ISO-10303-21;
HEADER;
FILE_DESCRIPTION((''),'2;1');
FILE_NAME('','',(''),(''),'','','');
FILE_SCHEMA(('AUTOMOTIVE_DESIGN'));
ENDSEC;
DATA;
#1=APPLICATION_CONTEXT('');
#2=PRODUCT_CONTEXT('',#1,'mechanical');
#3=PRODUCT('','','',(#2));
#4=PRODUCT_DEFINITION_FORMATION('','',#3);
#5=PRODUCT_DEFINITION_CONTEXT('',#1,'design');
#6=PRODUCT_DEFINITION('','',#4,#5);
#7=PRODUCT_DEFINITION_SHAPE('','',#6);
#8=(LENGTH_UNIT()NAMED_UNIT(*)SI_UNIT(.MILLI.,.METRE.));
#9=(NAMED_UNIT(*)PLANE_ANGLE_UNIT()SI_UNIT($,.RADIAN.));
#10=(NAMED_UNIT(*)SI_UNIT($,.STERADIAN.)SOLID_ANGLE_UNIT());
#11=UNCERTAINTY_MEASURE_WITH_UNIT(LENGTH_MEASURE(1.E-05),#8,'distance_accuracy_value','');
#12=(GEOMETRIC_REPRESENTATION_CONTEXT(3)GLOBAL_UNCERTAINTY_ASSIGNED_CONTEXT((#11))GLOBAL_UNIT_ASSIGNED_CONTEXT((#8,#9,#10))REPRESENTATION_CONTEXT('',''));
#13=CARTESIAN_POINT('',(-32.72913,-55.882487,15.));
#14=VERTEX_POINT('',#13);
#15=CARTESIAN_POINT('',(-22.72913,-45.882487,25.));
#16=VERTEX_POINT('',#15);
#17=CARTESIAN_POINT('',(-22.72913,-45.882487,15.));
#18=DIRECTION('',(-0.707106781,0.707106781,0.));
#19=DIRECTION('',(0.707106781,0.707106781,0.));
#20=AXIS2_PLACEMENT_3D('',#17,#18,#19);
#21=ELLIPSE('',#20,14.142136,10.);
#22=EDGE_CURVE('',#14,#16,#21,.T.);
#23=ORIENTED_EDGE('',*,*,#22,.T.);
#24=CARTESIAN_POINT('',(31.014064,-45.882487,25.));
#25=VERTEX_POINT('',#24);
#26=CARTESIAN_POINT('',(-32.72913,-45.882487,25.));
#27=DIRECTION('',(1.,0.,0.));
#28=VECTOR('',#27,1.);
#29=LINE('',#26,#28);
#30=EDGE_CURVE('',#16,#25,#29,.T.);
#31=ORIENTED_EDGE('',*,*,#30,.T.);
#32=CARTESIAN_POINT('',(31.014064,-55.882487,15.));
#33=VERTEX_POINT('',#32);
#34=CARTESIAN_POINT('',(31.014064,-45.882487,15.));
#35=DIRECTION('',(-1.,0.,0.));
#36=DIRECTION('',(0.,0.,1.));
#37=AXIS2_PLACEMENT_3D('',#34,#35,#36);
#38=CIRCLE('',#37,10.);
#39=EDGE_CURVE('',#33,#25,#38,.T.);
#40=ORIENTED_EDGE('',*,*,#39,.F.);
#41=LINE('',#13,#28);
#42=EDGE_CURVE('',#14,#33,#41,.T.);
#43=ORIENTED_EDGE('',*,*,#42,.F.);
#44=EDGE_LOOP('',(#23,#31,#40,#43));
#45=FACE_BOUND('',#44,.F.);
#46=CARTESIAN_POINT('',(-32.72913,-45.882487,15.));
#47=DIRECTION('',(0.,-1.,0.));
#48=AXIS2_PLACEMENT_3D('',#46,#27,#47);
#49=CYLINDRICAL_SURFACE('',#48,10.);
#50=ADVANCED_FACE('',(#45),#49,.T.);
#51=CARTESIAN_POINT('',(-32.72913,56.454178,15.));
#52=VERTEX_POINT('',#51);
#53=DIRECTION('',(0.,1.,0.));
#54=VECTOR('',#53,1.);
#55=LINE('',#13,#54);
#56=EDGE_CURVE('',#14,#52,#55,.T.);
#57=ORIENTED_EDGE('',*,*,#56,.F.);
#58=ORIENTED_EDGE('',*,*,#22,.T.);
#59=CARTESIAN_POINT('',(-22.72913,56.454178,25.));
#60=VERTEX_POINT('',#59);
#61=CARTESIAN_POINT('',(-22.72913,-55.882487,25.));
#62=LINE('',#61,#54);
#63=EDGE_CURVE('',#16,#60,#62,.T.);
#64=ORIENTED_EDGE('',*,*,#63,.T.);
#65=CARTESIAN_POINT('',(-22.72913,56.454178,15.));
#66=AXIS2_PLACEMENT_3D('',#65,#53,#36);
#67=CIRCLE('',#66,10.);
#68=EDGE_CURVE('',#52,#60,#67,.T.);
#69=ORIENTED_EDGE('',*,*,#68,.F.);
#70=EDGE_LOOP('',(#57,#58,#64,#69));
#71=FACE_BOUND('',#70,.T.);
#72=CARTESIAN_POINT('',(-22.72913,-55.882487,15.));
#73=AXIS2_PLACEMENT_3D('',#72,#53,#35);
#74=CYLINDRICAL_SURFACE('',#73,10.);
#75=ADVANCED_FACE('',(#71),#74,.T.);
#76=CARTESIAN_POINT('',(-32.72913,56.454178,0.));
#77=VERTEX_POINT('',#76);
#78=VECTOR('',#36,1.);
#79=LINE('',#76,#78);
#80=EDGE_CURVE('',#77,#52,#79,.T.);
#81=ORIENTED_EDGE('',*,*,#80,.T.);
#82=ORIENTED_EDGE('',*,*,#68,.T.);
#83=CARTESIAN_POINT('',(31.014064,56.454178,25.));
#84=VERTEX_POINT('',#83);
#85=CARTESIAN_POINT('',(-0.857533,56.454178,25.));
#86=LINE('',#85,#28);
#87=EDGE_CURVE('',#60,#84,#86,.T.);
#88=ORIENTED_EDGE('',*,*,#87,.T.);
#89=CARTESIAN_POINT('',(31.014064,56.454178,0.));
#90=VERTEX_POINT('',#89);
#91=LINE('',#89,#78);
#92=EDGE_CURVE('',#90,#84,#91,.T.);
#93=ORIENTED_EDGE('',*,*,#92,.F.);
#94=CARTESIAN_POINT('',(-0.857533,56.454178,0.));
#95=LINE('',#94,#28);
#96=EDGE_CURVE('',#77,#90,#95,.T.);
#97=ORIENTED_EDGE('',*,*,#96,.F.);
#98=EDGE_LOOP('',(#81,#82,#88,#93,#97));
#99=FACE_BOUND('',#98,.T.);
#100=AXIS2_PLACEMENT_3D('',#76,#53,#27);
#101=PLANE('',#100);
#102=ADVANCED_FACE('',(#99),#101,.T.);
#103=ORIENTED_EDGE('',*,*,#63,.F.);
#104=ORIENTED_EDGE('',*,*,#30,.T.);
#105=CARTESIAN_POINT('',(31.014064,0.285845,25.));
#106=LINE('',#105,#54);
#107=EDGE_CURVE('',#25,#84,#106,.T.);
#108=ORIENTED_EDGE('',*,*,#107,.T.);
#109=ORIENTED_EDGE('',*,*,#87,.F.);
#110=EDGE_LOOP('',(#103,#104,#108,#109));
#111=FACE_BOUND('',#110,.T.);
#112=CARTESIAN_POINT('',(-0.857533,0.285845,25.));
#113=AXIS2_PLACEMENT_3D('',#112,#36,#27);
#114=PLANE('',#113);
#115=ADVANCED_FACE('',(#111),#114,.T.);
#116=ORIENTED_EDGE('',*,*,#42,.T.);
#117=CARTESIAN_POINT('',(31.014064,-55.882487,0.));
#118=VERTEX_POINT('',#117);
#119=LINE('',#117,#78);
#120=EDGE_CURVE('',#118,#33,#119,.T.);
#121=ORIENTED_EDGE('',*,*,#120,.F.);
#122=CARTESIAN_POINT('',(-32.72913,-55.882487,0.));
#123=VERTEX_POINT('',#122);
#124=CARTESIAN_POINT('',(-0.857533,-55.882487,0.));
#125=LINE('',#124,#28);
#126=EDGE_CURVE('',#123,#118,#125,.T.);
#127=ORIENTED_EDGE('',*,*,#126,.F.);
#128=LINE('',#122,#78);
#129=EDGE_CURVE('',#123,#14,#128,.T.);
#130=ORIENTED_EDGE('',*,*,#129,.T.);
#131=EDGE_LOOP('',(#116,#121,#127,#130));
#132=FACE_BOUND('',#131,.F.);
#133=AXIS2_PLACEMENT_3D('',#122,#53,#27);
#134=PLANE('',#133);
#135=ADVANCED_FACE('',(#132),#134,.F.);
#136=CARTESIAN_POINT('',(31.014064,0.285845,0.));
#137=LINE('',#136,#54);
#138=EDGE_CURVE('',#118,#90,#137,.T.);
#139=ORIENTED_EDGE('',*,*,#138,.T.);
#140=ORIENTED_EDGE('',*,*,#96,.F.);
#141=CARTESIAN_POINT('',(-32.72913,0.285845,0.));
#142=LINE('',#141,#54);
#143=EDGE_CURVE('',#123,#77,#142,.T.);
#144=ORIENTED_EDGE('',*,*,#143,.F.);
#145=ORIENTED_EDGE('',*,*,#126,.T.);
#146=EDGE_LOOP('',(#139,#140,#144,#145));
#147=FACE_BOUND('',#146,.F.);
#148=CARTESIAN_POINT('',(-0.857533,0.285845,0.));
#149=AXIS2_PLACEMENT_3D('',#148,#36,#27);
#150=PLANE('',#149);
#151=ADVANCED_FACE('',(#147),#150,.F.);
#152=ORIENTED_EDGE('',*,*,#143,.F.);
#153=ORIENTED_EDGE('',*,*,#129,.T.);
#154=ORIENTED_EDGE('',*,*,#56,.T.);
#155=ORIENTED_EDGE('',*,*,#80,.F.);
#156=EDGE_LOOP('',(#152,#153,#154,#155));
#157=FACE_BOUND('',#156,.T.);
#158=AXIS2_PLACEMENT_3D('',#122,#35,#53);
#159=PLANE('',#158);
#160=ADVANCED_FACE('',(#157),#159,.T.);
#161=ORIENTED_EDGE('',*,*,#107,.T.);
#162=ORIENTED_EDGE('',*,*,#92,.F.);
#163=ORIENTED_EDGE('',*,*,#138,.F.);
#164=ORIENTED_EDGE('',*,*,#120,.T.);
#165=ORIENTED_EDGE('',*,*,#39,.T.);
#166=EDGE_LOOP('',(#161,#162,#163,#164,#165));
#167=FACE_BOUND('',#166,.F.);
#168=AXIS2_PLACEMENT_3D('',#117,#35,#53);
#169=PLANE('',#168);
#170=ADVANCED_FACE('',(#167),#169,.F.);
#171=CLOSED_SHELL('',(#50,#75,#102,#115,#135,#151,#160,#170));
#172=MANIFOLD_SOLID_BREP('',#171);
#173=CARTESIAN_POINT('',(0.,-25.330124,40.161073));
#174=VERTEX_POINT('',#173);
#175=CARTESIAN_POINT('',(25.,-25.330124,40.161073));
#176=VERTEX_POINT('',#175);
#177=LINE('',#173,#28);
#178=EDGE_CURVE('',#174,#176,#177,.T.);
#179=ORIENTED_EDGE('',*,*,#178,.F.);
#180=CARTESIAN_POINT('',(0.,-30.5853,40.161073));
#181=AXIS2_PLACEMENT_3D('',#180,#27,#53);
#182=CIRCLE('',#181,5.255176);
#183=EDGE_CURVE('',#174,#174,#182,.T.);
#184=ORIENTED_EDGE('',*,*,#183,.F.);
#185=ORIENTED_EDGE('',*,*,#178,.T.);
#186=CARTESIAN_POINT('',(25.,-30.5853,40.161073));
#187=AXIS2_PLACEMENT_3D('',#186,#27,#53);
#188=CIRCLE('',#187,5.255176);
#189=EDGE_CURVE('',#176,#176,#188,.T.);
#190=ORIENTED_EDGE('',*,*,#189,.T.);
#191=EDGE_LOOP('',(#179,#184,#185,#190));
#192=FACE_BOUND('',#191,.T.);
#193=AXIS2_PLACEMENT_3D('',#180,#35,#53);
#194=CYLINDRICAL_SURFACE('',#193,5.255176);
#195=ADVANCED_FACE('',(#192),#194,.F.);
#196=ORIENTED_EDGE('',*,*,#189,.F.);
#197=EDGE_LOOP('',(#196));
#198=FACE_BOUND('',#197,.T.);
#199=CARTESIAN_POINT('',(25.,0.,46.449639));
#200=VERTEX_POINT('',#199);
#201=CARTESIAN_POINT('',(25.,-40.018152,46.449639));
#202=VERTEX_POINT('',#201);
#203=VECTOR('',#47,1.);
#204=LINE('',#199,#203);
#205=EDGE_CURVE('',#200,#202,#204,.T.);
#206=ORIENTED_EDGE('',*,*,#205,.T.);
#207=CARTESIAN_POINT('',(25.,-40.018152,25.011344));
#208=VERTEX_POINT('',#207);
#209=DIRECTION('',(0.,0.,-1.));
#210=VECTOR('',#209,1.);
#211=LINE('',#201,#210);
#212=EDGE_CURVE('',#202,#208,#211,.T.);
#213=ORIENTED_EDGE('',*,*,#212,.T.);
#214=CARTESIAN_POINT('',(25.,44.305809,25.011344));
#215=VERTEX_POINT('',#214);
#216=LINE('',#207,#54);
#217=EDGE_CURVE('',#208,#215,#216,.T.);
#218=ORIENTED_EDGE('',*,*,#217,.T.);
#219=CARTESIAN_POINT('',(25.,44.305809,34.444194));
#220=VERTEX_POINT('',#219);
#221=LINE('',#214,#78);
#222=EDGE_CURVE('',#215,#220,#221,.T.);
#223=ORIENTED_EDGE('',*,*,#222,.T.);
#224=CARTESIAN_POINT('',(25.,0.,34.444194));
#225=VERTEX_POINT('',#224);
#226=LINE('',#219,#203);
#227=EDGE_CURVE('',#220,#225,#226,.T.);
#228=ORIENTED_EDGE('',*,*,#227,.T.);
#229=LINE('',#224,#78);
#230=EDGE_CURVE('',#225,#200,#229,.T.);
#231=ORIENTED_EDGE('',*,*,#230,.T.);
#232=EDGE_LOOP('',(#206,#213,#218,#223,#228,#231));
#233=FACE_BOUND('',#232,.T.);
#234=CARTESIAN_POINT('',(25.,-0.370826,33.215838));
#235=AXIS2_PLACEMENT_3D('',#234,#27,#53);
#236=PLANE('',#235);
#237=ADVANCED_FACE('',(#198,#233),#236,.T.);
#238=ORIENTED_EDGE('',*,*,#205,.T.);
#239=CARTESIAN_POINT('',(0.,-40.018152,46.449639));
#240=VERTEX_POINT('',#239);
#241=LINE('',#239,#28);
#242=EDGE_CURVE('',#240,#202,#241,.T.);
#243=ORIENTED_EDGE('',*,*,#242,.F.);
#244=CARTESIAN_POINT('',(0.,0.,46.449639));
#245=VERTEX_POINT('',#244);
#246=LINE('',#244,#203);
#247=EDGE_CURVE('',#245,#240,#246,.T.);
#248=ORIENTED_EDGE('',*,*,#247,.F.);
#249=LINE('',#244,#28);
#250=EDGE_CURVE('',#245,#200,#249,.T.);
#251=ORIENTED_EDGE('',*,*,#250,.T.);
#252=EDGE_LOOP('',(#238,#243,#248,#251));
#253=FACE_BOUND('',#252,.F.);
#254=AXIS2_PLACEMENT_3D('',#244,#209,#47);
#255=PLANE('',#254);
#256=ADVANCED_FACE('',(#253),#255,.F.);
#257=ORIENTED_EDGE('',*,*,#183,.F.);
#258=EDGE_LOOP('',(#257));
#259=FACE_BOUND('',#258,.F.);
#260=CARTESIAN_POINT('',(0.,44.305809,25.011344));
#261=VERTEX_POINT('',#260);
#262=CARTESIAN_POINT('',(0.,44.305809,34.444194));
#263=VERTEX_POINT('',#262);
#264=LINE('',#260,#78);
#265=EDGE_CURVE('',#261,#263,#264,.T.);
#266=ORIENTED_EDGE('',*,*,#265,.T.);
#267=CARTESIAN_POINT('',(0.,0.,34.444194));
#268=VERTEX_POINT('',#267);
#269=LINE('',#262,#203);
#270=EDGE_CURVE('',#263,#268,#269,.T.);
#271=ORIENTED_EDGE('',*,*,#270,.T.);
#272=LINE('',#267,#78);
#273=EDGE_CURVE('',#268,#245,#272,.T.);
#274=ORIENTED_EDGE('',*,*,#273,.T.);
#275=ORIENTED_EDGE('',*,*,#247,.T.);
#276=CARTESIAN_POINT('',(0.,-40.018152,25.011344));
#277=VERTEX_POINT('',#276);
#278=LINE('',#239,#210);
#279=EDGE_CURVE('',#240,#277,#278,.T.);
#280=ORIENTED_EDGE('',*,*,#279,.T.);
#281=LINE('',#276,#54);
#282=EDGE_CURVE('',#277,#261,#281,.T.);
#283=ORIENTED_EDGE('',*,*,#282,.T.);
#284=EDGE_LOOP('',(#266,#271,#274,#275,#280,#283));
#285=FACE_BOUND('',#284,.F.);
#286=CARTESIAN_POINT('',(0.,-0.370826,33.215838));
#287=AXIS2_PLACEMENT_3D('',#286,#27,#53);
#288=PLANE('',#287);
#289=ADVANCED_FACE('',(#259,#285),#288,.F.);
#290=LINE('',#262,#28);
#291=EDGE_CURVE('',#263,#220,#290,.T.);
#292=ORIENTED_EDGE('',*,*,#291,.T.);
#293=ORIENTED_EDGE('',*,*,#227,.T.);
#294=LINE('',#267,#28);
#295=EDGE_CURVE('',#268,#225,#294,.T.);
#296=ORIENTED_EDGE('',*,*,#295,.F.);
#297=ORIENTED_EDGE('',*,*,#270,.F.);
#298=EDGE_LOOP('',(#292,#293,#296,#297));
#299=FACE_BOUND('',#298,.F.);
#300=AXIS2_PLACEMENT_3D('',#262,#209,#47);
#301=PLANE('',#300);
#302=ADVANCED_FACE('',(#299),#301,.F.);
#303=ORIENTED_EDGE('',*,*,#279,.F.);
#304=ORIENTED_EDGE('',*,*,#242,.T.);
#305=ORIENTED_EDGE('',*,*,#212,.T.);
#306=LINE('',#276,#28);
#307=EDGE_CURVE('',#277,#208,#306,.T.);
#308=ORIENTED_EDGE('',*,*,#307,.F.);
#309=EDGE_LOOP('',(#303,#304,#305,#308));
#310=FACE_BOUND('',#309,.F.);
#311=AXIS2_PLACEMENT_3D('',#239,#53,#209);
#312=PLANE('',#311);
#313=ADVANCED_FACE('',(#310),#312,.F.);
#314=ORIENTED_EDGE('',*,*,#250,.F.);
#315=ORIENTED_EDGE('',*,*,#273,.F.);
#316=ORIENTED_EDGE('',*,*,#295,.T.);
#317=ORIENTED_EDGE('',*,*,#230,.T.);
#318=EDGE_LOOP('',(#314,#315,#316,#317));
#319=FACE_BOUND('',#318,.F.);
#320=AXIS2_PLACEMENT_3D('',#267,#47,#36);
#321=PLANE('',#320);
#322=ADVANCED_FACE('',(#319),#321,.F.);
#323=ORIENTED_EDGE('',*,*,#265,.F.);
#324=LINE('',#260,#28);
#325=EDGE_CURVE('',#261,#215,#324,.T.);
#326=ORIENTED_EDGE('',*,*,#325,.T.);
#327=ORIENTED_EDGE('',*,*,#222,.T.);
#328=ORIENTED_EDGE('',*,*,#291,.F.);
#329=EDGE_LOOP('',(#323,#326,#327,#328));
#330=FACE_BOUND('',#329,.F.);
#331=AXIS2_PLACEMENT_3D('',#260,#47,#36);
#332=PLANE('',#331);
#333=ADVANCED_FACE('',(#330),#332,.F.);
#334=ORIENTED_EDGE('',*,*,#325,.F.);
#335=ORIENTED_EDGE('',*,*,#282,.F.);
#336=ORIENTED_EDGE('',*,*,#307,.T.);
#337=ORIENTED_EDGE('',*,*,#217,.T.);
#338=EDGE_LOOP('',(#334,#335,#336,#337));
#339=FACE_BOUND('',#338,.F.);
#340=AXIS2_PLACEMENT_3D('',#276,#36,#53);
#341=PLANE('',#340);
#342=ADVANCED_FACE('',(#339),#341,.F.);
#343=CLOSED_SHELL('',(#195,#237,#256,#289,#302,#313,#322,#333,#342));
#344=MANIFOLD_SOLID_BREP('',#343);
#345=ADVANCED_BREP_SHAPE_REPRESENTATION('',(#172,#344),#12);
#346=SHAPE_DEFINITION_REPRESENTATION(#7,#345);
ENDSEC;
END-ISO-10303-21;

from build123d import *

# Parameters (mm, degrees)
F0_W     = 63.7431945652
F0_H     = 112.3366653919
F0_W_2   = 17.1506376937
F0_H_2   = 100.6170623004
F1_DEPTH = 25
F2_R     = 5.2551759541
F3_DEPTH = 25
F4_R     = 10


with BuildPart() as f1:
    # F0 (on Top) → F1 (new body)
    with BuildSketch(Plane.XY):
        with Locations((-0.8575329557, 0.2858452499)):
            Rectangle(F0_W, F0_H)
        with Locations((-0.4287636839, 0.1429226249)):
            Rectangle(F0_W_2, F0_H_2, mode=Mode.SUBTRACT)
        with Locations((-0.4287636839, 0.1429226249)):
            Rectangle(F0_W_2, F0_H_2)
    extrude(amount=F1_DEPTH)

    # F4
    f4_edges = [f1.edges().sort_by_distance(p)[0] for p in [
        (-32.72913, 0.285845, 25),
        (-0.857533, -55.882487, 25),
    ]]
    fillet(f4_edges, radius=F4_R)


with BuildPart() as f3:
    # F2 (on Right) → F3 (new body)
    with BuildSketch(Plane.YZ):
        Polygon((-40.0181524456, 46.4496389031), (-40.0181524456, 25.0113438815), (44.3058088422, 25.0113438815), (44.3058088422, 34.4441942871), (0, 34.4441942871), (0, 46.4496389031), align=None)
        with Locations((-30.5853001773, 40.1610732079)):
            Circle(F2_R, mode=Mode.SUBTRACT)
    extrude(amount=F3_DEPTH)


solid = Compound([f1.part, f3.part])
